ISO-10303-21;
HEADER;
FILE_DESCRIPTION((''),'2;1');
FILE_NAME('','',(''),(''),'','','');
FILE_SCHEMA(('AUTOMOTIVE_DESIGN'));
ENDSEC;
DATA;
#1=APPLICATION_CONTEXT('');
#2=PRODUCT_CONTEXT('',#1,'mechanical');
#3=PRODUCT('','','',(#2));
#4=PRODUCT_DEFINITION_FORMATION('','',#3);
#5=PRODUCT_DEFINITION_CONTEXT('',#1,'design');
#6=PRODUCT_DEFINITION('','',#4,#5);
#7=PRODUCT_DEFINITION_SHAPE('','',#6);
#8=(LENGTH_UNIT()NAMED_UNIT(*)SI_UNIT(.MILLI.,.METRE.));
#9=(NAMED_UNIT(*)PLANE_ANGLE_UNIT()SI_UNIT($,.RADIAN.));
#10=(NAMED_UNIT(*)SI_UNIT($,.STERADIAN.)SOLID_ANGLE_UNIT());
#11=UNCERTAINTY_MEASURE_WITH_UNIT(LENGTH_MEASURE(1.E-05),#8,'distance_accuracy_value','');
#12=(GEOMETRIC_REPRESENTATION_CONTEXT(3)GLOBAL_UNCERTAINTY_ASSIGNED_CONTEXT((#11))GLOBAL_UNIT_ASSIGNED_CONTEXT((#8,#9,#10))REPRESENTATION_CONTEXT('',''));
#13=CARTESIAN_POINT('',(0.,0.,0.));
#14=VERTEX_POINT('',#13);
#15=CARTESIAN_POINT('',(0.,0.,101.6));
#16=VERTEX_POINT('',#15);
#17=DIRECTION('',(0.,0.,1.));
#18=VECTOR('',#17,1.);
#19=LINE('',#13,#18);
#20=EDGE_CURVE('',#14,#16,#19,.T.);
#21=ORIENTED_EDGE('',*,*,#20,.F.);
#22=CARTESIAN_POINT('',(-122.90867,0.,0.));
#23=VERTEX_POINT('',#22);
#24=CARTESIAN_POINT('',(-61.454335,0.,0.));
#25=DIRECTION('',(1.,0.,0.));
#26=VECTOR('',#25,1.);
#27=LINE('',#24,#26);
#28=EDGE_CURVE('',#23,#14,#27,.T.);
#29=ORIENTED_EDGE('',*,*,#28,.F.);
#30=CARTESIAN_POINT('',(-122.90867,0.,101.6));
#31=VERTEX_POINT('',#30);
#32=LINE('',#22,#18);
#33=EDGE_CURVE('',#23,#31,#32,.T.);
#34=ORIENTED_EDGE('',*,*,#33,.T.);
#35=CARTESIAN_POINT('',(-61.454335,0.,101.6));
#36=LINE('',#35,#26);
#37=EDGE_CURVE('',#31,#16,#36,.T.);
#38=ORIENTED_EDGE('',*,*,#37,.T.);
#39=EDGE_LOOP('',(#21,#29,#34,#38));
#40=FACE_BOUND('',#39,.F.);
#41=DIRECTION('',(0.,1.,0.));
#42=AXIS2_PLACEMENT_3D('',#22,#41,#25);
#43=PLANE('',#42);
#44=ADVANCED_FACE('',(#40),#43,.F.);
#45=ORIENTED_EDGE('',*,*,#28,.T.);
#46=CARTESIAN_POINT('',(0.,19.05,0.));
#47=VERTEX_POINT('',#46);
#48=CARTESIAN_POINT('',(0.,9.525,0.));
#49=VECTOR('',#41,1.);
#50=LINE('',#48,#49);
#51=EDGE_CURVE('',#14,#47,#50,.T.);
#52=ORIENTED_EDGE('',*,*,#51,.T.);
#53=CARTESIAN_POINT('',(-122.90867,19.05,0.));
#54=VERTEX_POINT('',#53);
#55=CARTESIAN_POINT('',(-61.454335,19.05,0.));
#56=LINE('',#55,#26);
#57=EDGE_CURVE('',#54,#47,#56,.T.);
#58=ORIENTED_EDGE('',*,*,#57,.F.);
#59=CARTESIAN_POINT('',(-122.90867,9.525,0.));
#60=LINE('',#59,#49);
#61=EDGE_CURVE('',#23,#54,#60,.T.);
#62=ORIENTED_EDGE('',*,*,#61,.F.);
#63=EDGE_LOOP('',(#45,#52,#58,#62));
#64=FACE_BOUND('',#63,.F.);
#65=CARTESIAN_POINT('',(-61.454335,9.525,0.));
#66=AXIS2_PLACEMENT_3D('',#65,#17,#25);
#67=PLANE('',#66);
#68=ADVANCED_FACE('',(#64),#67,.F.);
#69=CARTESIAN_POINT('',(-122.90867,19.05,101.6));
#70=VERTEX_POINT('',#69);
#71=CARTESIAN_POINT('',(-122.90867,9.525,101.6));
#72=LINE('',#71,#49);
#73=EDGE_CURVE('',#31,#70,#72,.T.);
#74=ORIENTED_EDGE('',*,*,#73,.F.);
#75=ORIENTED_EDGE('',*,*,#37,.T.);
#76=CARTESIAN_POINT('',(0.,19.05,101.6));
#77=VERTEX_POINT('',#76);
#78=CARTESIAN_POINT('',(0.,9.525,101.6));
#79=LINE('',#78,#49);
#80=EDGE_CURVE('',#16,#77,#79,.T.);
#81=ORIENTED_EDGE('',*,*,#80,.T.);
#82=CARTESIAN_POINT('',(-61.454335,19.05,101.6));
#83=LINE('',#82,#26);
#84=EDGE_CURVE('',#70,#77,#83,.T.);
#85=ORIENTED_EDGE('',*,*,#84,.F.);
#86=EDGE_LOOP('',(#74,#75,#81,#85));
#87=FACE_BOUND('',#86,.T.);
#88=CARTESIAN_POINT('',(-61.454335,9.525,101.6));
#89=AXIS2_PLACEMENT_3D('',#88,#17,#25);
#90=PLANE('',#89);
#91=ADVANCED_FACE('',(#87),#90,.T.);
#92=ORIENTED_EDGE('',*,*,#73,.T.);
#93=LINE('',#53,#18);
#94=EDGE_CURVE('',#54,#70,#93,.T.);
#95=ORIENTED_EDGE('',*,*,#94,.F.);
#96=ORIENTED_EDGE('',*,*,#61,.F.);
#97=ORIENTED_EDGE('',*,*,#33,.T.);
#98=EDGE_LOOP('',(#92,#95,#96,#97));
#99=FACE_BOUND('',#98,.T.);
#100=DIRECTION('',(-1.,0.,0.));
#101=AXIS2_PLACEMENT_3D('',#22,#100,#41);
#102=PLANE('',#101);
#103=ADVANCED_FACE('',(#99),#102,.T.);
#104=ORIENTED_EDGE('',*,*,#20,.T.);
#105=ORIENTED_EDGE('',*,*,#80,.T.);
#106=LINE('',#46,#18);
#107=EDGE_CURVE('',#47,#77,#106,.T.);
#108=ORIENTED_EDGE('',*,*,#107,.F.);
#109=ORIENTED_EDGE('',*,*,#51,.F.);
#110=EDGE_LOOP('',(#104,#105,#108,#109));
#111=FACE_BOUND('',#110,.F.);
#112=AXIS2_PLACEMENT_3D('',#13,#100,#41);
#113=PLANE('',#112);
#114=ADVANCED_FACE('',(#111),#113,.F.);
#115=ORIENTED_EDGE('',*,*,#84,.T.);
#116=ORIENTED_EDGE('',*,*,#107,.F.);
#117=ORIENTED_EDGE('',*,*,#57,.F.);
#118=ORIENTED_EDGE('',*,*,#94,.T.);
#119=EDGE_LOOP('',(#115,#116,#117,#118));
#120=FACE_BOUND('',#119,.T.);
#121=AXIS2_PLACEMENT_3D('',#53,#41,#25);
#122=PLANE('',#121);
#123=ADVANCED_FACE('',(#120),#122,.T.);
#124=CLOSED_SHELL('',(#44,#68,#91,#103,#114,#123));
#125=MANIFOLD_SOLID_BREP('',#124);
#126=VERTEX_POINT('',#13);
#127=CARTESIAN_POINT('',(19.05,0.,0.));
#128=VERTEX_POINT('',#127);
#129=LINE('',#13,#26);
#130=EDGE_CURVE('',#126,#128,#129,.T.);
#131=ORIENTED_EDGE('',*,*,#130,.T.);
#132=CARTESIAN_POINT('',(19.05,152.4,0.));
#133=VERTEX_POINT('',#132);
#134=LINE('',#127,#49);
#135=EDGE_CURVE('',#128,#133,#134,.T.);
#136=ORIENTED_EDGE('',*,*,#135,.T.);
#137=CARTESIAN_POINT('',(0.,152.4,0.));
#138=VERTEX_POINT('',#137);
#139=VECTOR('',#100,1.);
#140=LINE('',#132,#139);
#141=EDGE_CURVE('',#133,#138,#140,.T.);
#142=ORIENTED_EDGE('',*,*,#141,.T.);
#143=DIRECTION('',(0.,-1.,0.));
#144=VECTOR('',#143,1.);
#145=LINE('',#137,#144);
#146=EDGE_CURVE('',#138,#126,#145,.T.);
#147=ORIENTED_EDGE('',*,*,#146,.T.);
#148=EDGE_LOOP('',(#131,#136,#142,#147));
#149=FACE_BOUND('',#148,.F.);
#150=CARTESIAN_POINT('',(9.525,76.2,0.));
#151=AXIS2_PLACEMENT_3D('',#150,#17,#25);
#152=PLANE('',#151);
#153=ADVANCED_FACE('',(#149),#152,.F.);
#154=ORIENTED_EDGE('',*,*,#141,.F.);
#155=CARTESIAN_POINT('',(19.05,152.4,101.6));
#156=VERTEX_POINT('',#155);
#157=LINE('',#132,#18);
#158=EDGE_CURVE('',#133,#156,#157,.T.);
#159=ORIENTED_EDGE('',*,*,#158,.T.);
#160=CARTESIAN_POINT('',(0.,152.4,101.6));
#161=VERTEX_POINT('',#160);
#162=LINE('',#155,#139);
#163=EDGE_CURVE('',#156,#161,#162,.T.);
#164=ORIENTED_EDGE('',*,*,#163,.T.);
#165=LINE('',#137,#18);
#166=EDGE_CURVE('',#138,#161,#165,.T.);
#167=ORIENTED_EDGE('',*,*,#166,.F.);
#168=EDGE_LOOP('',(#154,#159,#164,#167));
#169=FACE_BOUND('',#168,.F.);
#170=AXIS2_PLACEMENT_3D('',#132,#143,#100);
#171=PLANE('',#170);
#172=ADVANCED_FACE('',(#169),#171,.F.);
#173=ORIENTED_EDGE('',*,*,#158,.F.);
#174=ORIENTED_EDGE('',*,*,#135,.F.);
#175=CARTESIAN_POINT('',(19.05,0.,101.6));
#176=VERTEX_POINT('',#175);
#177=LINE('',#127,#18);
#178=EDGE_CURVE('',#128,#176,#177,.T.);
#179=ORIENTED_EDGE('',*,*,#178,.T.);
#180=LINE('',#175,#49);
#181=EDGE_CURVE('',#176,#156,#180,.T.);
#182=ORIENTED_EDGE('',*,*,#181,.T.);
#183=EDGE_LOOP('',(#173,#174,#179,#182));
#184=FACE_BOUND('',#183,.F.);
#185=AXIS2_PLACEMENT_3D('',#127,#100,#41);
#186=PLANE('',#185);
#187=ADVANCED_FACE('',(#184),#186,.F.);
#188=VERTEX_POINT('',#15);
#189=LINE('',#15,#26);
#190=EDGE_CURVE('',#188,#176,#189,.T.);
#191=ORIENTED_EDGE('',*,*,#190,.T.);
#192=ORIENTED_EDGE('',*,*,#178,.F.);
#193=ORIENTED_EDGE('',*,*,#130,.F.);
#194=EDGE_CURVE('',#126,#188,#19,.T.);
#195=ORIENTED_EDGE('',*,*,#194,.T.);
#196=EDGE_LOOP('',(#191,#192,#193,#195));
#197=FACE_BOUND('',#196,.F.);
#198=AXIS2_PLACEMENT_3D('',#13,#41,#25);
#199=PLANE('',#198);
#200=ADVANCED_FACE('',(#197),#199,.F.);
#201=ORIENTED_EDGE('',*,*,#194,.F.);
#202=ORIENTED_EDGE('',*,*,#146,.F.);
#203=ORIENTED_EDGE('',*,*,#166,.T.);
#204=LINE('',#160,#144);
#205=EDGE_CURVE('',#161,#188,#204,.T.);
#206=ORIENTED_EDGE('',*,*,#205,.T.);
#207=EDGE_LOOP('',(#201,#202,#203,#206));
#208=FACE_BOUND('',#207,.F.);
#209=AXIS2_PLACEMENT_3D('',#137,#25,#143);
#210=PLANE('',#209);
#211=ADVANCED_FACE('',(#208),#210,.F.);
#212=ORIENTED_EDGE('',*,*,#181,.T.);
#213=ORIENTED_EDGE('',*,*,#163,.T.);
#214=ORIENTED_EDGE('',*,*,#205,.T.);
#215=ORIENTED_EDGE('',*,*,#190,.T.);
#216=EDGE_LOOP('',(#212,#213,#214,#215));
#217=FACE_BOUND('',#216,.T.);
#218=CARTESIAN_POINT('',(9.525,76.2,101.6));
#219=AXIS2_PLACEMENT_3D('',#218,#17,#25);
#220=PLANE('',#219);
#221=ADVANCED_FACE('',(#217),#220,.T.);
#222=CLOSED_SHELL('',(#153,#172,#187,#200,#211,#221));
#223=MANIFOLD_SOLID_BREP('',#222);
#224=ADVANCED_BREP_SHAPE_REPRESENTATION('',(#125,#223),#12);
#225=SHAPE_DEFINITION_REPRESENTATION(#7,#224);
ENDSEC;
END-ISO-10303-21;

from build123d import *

# Parameters (mm, degrees)
F0_W     = 122.90867
F0_H     = 19.05
F1_DEPTH = 101.6
F2_DEPTH = 101.6


with BuildPart() as f1:
    # F0 (on Top) → F1 (new body)
    with BuildSketch(Plane.XY):
        with Locations((-61.454335, 9.525)):
            Rectangle(F0_W, F0_H)
    extrude(amount=F1_DEPTH)


with BuildPart() as f2:
    # F0 (on Top) → F2 (new body)
    with BuildSketch(Plane.XY):
        Polygon((0, 19.05), (0, 0), (19.05, 0), (19.05, 152.4), (0, 152.4), align=None)
    extrude(amount=F2_DEPTH)


solid = Compound([f1.part, f2.part])
